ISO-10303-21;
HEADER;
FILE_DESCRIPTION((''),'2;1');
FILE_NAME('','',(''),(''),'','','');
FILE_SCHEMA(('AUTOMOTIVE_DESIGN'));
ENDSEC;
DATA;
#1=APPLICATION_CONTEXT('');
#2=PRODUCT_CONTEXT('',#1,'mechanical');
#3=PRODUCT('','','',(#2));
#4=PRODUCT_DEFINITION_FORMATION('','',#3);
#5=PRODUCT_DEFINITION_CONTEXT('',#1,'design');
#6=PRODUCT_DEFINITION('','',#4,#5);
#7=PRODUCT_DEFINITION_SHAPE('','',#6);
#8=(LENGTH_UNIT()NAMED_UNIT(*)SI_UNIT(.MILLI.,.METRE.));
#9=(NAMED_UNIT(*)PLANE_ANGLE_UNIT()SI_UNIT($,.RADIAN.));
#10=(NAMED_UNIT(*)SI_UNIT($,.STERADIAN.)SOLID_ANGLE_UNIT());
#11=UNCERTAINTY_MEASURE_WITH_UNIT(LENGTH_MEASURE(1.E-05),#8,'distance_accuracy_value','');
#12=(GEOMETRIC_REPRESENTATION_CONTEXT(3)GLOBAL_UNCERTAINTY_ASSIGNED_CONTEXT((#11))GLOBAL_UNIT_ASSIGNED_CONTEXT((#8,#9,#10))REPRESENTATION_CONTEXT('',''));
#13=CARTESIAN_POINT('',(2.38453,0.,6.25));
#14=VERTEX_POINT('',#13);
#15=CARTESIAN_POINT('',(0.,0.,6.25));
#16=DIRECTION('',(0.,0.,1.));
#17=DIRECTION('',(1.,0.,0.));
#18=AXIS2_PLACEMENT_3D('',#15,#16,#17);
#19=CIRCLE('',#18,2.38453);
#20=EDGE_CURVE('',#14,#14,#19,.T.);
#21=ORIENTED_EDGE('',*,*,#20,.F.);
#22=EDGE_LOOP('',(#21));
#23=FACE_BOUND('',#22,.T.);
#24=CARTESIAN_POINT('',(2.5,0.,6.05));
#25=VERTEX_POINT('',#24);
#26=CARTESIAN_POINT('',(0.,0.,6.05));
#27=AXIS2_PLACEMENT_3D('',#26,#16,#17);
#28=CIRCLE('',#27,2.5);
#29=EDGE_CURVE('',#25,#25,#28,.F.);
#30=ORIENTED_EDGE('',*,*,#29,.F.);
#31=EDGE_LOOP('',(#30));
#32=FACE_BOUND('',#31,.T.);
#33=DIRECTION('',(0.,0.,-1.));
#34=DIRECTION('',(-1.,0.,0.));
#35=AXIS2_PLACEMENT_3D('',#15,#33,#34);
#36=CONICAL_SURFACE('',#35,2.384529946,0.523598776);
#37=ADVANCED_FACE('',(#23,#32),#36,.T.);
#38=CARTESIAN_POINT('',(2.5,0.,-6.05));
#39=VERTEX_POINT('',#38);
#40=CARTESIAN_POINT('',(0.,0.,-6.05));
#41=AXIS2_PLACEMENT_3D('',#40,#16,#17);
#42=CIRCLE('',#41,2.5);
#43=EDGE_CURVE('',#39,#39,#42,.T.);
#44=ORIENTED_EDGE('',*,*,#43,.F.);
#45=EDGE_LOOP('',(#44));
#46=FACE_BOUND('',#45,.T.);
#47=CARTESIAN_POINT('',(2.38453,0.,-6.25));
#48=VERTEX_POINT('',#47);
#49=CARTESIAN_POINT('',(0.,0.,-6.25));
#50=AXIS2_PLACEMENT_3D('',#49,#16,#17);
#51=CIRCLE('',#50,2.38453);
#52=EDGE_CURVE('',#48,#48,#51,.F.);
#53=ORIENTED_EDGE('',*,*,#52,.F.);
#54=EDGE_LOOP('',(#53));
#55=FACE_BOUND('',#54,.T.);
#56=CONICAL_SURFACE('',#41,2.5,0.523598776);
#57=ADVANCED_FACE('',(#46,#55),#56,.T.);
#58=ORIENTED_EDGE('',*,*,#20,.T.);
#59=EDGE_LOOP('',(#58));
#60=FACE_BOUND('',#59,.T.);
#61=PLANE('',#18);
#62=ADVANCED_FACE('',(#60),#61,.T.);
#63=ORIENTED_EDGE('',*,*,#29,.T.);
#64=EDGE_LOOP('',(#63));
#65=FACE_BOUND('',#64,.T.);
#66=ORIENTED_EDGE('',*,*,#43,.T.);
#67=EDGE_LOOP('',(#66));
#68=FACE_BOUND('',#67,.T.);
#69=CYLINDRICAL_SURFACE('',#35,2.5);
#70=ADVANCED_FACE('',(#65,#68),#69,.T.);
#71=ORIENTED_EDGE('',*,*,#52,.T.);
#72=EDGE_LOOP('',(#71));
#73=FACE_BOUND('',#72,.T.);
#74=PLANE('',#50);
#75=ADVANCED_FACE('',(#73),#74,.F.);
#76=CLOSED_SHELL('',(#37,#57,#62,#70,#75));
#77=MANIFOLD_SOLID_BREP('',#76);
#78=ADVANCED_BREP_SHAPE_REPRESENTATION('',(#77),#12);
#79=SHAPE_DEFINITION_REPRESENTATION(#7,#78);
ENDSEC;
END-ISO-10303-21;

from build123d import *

# Parameters (mm, degrees)
ESQUISSE1_R        = 2.5
BOSS_EXTRU_1_DEPTH = 6.25
CHANFREIN1_SIZE    = 0.2
CHANFREIN1_SIZE2   = 0.115470054


with BuildPart() as part:
    # Esquisse1 → Boss.-Extru.1 (new body, symmetric)
    with BuildSketch(Plane.XY):
        Circle(ESQUISSE1_R)
    extrude(amount=BOSS_EXTRU_1_DEPTH, both=True)

    # Chanfrein1
    chanfrein1_edges = [part.edges().sort_by_distance(p)[0] for p in [
        (-2.5, 0, -6.25),
        (-2.5, 0, 6.25),
    ]]
    chanfrein1_side = [part.faces().sort_by_distance(p)[0] for p in [
        (-2.5, 0, 0),
    ]]
    chamfer(chanfrein1_edges, length=CHANFREIN1_SIZE, length2=CHANFREIN1_SIZE2, reference=chanfrein1_side[0])


solid = part.part
